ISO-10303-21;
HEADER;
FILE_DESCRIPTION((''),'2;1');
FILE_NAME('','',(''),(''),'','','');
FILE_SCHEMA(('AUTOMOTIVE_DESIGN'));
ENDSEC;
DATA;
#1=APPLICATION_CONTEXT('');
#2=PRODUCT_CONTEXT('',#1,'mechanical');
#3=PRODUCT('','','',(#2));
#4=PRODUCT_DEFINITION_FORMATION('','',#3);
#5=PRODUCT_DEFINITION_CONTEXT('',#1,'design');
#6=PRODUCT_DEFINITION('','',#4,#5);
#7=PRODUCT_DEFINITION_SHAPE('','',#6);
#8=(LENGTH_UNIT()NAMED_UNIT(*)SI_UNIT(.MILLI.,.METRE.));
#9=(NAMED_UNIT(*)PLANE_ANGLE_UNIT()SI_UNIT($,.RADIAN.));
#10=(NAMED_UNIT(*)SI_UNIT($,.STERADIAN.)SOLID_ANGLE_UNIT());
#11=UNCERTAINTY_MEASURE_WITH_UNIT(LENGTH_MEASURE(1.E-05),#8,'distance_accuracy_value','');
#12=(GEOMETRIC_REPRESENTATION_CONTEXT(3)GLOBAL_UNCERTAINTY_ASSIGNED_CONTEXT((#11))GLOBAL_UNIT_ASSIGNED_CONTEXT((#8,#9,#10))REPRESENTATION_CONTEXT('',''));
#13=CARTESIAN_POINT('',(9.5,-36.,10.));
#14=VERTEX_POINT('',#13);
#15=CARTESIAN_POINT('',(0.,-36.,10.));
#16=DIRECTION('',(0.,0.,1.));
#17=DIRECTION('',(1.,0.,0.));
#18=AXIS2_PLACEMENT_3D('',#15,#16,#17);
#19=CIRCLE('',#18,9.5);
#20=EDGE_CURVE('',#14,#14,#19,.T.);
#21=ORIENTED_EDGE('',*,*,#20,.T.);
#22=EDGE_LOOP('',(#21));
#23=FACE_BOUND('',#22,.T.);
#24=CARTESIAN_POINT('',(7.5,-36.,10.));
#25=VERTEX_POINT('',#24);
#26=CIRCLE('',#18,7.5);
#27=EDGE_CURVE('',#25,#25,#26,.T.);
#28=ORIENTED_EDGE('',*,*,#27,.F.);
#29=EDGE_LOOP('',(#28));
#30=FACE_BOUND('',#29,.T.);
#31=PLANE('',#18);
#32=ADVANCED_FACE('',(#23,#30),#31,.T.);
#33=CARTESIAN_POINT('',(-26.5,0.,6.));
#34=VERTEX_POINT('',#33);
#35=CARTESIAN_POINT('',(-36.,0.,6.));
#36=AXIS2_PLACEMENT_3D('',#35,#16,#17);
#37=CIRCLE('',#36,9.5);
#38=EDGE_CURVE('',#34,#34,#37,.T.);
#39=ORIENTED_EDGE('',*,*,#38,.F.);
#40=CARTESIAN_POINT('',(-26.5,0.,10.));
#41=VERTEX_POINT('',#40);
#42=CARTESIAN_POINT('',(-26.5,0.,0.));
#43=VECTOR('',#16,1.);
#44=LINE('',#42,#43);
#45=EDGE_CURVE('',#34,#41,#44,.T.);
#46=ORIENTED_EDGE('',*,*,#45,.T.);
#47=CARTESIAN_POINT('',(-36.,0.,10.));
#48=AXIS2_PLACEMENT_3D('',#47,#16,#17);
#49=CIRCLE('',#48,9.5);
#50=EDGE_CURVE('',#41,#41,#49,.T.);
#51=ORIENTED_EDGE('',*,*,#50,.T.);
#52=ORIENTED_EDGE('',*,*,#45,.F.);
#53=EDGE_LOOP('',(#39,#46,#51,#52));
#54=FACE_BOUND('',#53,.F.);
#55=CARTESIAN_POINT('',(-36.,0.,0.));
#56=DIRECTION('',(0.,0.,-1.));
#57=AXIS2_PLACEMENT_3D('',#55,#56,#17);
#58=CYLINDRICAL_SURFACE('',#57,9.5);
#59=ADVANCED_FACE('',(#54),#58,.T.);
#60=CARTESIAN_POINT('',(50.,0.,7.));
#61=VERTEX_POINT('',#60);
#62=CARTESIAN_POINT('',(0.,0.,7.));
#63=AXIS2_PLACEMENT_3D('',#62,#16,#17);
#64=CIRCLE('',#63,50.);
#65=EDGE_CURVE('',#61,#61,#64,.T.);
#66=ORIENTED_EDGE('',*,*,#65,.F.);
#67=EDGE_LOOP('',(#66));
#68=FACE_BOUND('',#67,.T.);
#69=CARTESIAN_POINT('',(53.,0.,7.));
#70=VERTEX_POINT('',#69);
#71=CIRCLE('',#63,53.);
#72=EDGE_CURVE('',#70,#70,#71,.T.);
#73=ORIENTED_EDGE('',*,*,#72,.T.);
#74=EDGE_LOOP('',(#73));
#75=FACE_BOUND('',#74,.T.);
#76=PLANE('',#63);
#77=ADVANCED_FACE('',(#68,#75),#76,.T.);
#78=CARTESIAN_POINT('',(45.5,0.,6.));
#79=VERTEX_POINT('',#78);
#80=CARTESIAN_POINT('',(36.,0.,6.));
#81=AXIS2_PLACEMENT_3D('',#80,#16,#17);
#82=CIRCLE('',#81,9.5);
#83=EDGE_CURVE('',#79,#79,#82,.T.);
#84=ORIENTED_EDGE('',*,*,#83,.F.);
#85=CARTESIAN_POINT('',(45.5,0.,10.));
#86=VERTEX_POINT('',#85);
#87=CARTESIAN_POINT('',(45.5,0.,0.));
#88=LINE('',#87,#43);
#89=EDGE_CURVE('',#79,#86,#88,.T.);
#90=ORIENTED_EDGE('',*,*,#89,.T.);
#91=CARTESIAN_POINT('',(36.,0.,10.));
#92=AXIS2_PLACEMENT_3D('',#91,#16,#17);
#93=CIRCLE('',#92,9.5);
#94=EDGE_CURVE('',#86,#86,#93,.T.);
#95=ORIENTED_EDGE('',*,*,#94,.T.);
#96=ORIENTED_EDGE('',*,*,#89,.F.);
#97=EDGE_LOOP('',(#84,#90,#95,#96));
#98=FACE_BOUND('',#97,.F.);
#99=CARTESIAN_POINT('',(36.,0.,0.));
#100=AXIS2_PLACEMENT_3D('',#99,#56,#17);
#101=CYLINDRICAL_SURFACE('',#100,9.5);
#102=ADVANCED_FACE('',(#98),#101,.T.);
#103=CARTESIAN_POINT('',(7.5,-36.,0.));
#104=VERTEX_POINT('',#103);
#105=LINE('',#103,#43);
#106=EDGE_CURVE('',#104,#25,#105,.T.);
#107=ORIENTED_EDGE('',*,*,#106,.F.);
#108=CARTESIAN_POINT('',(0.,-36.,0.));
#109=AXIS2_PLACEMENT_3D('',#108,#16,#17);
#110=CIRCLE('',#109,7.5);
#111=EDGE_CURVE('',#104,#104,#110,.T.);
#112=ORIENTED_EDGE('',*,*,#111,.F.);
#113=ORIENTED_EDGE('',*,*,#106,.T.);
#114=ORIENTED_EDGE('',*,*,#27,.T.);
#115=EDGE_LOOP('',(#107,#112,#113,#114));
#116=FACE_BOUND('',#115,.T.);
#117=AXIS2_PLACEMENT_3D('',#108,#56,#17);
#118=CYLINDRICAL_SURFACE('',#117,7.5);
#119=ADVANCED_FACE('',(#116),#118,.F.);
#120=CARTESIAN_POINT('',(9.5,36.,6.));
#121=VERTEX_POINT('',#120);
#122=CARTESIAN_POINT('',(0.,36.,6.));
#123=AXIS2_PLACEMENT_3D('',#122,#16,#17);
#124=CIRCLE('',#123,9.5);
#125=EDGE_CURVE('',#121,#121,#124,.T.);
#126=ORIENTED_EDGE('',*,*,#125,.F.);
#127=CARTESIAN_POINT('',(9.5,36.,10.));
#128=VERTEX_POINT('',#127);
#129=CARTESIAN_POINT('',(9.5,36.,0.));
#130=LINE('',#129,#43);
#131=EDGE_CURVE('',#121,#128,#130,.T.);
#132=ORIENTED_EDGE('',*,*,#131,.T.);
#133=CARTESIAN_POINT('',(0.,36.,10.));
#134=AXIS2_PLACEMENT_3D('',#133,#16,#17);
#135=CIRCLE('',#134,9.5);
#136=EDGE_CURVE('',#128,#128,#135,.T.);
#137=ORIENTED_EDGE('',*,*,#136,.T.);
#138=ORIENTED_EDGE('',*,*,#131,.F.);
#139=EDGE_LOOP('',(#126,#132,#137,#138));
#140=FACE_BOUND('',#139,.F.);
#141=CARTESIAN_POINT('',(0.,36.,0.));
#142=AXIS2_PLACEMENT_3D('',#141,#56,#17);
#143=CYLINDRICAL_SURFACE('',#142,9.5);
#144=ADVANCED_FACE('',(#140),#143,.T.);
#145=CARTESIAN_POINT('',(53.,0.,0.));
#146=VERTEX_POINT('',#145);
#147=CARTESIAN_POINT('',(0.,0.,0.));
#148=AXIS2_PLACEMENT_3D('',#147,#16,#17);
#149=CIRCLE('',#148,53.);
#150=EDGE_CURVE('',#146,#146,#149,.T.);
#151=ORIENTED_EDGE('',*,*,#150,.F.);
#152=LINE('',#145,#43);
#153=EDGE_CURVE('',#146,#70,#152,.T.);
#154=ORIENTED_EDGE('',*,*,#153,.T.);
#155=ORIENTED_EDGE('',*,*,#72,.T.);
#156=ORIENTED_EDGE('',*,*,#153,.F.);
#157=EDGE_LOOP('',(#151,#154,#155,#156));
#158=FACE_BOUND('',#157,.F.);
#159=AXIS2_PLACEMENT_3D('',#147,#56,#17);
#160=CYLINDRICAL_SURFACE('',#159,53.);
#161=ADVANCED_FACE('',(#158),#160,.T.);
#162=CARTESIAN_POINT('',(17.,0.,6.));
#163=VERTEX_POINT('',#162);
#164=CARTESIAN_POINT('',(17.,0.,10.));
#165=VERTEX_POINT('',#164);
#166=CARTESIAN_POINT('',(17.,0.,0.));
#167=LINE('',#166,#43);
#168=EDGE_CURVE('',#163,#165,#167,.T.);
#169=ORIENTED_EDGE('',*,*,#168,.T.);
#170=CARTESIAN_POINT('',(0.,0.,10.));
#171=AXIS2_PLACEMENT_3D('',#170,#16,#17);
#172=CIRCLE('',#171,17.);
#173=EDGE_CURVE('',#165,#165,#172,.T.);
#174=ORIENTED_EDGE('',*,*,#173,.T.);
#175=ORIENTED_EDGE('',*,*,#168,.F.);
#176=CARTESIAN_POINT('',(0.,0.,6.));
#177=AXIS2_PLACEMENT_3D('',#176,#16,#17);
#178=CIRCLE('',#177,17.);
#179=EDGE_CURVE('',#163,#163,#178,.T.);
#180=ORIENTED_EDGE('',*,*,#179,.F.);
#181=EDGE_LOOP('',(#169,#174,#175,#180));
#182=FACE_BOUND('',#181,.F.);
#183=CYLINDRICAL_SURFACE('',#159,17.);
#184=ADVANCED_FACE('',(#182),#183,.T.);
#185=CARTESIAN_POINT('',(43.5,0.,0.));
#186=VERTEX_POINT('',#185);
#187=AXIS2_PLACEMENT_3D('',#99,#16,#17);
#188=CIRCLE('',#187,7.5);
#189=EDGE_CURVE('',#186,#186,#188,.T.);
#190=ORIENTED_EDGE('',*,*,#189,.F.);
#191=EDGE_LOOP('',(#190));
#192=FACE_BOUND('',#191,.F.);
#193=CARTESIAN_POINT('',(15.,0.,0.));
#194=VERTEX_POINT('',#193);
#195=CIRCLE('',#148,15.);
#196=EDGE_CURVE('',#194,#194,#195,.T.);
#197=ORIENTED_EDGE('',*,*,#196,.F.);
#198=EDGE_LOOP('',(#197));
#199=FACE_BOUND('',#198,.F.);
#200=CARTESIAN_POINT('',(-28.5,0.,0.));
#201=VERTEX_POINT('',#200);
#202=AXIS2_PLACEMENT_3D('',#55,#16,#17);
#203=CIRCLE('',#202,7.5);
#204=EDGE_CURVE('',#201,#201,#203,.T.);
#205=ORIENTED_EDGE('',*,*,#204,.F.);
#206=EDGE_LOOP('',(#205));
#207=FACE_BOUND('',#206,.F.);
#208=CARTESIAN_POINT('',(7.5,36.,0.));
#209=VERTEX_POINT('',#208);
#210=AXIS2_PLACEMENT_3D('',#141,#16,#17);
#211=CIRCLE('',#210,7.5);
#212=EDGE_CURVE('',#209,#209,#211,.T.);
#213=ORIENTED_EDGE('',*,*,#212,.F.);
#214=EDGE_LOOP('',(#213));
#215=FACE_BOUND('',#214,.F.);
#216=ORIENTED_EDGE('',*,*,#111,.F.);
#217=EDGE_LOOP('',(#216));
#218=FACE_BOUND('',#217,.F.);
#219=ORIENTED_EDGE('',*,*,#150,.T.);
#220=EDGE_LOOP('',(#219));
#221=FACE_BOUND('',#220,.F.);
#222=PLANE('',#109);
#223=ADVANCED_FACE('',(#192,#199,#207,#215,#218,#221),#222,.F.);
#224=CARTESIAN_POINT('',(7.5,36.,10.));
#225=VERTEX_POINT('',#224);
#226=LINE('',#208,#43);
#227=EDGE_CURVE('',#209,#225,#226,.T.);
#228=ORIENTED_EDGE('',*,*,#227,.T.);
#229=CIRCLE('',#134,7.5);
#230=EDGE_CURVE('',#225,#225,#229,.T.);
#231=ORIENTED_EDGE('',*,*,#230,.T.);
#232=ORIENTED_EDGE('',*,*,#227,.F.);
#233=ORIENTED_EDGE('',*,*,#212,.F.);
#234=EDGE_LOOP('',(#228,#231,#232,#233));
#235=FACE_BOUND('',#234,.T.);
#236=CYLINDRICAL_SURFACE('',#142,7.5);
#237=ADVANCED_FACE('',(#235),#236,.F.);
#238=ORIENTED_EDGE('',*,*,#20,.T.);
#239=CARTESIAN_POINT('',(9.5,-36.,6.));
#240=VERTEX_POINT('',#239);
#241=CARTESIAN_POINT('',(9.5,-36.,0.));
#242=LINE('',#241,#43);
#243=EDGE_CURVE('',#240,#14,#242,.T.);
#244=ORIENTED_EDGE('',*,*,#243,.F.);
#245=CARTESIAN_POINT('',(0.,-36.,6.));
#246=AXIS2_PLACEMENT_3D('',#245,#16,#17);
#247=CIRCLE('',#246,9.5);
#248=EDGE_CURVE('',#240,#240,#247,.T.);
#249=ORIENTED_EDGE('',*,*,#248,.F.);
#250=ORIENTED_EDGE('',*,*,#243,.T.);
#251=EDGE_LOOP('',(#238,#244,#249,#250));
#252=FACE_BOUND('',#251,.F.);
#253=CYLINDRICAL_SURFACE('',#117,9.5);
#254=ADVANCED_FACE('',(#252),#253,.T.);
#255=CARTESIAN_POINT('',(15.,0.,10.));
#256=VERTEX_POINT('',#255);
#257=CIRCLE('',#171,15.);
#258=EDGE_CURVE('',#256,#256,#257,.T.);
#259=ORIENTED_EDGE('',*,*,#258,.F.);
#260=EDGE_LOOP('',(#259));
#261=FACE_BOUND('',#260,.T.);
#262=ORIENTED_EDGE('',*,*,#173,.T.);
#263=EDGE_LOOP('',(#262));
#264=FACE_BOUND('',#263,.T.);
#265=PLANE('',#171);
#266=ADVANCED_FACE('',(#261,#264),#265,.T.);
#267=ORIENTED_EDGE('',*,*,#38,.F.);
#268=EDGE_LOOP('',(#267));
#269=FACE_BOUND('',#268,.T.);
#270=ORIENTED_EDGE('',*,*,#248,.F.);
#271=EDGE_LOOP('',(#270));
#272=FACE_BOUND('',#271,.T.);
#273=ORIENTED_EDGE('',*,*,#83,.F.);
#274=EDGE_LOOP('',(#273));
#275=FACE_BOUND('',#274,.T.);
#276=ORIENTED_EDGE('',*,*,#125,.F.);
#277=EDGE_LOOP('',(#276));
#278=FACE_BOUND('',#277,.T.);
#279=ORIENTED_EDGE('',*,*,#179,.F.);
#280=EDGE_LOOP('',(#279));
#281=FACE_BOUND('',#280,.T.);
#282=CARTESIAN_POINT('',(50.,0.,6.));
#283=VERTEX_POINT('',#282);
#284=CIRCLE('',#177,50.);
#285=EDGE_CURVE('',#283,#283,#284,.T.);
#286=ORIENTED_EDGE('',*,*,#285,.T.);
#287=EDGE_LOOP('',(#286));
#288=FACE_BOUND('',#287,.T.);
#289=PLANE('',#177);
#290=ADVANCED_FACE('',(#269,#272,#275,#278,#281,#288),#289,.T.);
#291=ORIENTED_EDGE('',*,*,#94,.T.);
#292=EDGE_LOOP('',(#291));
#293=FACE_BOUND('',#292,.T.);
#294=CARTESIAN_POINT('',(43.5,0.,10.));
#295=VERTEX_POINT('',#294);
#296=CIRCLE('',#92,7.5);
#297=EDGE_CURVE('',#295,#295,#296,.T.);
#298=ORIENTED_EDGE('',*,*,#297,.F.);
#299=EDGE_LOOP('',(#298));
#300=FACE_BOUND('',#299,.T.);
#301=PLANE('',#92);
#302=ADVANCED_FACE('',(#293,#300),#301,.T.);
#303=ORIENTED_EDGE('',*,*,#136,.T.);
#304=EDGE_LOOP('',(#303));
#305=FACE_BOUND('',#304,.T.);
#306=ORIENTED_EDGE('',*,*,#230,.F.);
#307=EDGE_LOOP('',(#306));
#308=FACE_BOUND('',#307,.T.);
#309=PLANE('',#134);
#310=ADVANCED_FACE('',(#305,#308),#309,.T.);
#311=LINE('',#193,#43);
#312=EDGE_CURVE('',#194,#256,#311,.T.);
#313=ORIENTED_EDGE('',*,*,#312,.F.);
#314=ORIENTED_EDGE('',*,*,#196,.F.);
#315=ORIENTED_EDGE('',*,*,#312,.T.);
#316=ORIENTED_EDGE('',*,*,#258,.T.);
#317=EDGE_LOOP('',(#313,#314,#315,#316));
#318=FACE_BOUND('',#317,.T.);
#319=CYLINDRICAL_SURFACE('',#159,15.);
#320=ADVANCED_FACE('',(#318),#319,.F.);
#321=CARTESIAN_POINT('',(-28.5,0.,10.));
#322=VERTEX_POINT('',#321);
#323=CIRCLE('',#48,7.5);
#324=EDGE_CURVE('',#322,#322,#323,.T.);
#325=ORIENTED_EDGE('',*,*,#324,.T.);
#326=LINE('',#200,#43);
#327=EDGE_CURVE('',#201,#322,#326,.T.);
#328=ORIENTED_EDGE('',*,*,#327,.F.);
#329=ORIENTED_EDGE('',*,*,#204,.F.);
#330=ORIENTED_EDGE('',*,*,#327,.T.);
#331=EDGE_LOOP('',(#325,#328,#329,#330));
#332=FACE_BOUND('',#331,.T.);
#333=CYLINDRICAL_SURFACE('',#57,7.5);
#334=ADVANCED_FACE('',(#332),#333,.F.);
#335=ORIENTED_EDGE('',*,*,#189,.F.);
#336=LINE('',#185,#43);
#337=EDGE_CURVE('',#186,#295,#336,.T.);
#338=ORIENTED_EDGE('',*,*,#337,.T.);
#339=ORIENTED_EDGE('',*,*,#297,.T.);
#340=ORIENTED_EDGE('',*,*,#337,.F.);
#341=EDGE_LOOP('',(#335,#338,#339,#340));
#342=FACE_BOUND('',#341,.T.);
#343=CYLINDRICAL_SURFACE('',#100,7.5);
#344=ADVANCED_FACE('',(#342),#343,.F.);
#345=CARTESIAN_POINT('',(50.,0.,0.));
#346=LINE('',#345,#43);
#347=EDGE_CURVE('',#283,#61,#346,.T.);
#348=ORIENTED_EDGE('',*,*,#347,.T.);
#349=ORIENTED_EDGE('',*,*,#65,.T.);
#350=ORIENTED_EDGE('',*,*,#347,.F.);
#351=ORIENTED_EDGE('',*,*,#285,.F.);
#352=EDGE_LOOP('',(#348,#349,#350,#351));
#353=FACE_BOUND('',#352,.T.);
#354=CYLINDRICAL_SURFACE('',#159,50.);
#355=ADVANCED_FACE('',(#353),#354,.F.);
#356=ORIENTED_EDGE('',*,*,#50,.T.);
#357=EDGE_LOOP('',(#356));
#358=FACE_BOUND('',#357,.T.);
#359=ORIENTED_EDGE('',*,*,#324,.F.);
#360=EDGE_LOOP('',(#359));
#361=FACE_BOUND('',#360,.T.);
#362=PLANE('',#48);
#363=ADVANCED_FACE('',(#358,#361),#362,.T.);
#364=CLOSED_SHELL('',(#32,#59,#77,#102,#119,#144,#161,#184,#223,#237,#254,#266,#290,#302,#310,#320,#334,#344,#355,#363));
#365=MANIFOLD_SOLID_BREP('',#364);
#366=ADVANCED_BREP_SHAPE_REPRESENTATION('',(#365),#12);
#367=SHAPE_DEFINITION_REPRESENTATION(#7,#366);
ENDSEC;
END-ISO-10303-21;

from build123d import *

# Parameters (mm, degrees)
F0_R     = 50
F0_R_2   = 9.5
F0_R_3   = 17
F1_DEPTH = 6
F0_R_4   = 53
F2_DEPTH = 7
F0_R_5   = 7.5
F0_R_6   = 15
F3_DEPTH = 10


with BuildPart() as f1:
    # F0 (on Top) → F1 (new body)
    with BuildSketch(Plane.XY):
        Circle(F0_R)
        with Locations((0, -36)):
            Circle(F0_R_2, mode=Mode.SUBTRACT)
        with Locations((-36, 0)):
            Circle(F0_R_2, mode=Mode.SUBTRACT)
        Circle(F0_R_3, mode=Mode.SUBTRACT)
        with Locations((36, 0)):
            Circle(F0_R_2, mode=Mode.SUBTRACT)
        with Locations((0, 36)):
            Circle(F0_R_2, mode=Mode.SUBTRACT)
    extrude(amount=F1_DEPTH)

    # F0 (on Top) → F2 (join)
    with BuildSketch(Plane.XY):
        Circle(F0_R_4)
        Circle(F0_R, mode=Mode.SUBTRACT)
    extrude(amount=F2_DEPTH)

    # F0 (on Top) → F3 (join)
    with BuildSketch(Plane.XY):
        with Locations((0, -36)):
            Circle(F0_R_2)
        with Locations((0, -36)):
            Circle(F0_R_5, mode=Mode.SUBTRACT)
        with Locations((-36, 0)):
            Circle(F0_R_2)
        with Locations((-36, 0)):
            Circle(F0_R_5, mode=Mode.SUBTRACT)
        Circle(F0_R_3)
        Circle(F0_R_6, mode=Mode.SUBTRACT)
        with Locations((0, 36)):
            Circle(F0_R_2)
        with Locations((0, 36)):
            Circle(F0_R_5, mode=Mode.SUBTRACT)
        with Locations((36, 0)):
            Circle(F0_R_2)
        with Locations((36, 0)):
            Circle(F0_R_5, mode=Mode.SUBTRACT)
    extrude(amount=F3_DEPTH)


solid = f1.part
